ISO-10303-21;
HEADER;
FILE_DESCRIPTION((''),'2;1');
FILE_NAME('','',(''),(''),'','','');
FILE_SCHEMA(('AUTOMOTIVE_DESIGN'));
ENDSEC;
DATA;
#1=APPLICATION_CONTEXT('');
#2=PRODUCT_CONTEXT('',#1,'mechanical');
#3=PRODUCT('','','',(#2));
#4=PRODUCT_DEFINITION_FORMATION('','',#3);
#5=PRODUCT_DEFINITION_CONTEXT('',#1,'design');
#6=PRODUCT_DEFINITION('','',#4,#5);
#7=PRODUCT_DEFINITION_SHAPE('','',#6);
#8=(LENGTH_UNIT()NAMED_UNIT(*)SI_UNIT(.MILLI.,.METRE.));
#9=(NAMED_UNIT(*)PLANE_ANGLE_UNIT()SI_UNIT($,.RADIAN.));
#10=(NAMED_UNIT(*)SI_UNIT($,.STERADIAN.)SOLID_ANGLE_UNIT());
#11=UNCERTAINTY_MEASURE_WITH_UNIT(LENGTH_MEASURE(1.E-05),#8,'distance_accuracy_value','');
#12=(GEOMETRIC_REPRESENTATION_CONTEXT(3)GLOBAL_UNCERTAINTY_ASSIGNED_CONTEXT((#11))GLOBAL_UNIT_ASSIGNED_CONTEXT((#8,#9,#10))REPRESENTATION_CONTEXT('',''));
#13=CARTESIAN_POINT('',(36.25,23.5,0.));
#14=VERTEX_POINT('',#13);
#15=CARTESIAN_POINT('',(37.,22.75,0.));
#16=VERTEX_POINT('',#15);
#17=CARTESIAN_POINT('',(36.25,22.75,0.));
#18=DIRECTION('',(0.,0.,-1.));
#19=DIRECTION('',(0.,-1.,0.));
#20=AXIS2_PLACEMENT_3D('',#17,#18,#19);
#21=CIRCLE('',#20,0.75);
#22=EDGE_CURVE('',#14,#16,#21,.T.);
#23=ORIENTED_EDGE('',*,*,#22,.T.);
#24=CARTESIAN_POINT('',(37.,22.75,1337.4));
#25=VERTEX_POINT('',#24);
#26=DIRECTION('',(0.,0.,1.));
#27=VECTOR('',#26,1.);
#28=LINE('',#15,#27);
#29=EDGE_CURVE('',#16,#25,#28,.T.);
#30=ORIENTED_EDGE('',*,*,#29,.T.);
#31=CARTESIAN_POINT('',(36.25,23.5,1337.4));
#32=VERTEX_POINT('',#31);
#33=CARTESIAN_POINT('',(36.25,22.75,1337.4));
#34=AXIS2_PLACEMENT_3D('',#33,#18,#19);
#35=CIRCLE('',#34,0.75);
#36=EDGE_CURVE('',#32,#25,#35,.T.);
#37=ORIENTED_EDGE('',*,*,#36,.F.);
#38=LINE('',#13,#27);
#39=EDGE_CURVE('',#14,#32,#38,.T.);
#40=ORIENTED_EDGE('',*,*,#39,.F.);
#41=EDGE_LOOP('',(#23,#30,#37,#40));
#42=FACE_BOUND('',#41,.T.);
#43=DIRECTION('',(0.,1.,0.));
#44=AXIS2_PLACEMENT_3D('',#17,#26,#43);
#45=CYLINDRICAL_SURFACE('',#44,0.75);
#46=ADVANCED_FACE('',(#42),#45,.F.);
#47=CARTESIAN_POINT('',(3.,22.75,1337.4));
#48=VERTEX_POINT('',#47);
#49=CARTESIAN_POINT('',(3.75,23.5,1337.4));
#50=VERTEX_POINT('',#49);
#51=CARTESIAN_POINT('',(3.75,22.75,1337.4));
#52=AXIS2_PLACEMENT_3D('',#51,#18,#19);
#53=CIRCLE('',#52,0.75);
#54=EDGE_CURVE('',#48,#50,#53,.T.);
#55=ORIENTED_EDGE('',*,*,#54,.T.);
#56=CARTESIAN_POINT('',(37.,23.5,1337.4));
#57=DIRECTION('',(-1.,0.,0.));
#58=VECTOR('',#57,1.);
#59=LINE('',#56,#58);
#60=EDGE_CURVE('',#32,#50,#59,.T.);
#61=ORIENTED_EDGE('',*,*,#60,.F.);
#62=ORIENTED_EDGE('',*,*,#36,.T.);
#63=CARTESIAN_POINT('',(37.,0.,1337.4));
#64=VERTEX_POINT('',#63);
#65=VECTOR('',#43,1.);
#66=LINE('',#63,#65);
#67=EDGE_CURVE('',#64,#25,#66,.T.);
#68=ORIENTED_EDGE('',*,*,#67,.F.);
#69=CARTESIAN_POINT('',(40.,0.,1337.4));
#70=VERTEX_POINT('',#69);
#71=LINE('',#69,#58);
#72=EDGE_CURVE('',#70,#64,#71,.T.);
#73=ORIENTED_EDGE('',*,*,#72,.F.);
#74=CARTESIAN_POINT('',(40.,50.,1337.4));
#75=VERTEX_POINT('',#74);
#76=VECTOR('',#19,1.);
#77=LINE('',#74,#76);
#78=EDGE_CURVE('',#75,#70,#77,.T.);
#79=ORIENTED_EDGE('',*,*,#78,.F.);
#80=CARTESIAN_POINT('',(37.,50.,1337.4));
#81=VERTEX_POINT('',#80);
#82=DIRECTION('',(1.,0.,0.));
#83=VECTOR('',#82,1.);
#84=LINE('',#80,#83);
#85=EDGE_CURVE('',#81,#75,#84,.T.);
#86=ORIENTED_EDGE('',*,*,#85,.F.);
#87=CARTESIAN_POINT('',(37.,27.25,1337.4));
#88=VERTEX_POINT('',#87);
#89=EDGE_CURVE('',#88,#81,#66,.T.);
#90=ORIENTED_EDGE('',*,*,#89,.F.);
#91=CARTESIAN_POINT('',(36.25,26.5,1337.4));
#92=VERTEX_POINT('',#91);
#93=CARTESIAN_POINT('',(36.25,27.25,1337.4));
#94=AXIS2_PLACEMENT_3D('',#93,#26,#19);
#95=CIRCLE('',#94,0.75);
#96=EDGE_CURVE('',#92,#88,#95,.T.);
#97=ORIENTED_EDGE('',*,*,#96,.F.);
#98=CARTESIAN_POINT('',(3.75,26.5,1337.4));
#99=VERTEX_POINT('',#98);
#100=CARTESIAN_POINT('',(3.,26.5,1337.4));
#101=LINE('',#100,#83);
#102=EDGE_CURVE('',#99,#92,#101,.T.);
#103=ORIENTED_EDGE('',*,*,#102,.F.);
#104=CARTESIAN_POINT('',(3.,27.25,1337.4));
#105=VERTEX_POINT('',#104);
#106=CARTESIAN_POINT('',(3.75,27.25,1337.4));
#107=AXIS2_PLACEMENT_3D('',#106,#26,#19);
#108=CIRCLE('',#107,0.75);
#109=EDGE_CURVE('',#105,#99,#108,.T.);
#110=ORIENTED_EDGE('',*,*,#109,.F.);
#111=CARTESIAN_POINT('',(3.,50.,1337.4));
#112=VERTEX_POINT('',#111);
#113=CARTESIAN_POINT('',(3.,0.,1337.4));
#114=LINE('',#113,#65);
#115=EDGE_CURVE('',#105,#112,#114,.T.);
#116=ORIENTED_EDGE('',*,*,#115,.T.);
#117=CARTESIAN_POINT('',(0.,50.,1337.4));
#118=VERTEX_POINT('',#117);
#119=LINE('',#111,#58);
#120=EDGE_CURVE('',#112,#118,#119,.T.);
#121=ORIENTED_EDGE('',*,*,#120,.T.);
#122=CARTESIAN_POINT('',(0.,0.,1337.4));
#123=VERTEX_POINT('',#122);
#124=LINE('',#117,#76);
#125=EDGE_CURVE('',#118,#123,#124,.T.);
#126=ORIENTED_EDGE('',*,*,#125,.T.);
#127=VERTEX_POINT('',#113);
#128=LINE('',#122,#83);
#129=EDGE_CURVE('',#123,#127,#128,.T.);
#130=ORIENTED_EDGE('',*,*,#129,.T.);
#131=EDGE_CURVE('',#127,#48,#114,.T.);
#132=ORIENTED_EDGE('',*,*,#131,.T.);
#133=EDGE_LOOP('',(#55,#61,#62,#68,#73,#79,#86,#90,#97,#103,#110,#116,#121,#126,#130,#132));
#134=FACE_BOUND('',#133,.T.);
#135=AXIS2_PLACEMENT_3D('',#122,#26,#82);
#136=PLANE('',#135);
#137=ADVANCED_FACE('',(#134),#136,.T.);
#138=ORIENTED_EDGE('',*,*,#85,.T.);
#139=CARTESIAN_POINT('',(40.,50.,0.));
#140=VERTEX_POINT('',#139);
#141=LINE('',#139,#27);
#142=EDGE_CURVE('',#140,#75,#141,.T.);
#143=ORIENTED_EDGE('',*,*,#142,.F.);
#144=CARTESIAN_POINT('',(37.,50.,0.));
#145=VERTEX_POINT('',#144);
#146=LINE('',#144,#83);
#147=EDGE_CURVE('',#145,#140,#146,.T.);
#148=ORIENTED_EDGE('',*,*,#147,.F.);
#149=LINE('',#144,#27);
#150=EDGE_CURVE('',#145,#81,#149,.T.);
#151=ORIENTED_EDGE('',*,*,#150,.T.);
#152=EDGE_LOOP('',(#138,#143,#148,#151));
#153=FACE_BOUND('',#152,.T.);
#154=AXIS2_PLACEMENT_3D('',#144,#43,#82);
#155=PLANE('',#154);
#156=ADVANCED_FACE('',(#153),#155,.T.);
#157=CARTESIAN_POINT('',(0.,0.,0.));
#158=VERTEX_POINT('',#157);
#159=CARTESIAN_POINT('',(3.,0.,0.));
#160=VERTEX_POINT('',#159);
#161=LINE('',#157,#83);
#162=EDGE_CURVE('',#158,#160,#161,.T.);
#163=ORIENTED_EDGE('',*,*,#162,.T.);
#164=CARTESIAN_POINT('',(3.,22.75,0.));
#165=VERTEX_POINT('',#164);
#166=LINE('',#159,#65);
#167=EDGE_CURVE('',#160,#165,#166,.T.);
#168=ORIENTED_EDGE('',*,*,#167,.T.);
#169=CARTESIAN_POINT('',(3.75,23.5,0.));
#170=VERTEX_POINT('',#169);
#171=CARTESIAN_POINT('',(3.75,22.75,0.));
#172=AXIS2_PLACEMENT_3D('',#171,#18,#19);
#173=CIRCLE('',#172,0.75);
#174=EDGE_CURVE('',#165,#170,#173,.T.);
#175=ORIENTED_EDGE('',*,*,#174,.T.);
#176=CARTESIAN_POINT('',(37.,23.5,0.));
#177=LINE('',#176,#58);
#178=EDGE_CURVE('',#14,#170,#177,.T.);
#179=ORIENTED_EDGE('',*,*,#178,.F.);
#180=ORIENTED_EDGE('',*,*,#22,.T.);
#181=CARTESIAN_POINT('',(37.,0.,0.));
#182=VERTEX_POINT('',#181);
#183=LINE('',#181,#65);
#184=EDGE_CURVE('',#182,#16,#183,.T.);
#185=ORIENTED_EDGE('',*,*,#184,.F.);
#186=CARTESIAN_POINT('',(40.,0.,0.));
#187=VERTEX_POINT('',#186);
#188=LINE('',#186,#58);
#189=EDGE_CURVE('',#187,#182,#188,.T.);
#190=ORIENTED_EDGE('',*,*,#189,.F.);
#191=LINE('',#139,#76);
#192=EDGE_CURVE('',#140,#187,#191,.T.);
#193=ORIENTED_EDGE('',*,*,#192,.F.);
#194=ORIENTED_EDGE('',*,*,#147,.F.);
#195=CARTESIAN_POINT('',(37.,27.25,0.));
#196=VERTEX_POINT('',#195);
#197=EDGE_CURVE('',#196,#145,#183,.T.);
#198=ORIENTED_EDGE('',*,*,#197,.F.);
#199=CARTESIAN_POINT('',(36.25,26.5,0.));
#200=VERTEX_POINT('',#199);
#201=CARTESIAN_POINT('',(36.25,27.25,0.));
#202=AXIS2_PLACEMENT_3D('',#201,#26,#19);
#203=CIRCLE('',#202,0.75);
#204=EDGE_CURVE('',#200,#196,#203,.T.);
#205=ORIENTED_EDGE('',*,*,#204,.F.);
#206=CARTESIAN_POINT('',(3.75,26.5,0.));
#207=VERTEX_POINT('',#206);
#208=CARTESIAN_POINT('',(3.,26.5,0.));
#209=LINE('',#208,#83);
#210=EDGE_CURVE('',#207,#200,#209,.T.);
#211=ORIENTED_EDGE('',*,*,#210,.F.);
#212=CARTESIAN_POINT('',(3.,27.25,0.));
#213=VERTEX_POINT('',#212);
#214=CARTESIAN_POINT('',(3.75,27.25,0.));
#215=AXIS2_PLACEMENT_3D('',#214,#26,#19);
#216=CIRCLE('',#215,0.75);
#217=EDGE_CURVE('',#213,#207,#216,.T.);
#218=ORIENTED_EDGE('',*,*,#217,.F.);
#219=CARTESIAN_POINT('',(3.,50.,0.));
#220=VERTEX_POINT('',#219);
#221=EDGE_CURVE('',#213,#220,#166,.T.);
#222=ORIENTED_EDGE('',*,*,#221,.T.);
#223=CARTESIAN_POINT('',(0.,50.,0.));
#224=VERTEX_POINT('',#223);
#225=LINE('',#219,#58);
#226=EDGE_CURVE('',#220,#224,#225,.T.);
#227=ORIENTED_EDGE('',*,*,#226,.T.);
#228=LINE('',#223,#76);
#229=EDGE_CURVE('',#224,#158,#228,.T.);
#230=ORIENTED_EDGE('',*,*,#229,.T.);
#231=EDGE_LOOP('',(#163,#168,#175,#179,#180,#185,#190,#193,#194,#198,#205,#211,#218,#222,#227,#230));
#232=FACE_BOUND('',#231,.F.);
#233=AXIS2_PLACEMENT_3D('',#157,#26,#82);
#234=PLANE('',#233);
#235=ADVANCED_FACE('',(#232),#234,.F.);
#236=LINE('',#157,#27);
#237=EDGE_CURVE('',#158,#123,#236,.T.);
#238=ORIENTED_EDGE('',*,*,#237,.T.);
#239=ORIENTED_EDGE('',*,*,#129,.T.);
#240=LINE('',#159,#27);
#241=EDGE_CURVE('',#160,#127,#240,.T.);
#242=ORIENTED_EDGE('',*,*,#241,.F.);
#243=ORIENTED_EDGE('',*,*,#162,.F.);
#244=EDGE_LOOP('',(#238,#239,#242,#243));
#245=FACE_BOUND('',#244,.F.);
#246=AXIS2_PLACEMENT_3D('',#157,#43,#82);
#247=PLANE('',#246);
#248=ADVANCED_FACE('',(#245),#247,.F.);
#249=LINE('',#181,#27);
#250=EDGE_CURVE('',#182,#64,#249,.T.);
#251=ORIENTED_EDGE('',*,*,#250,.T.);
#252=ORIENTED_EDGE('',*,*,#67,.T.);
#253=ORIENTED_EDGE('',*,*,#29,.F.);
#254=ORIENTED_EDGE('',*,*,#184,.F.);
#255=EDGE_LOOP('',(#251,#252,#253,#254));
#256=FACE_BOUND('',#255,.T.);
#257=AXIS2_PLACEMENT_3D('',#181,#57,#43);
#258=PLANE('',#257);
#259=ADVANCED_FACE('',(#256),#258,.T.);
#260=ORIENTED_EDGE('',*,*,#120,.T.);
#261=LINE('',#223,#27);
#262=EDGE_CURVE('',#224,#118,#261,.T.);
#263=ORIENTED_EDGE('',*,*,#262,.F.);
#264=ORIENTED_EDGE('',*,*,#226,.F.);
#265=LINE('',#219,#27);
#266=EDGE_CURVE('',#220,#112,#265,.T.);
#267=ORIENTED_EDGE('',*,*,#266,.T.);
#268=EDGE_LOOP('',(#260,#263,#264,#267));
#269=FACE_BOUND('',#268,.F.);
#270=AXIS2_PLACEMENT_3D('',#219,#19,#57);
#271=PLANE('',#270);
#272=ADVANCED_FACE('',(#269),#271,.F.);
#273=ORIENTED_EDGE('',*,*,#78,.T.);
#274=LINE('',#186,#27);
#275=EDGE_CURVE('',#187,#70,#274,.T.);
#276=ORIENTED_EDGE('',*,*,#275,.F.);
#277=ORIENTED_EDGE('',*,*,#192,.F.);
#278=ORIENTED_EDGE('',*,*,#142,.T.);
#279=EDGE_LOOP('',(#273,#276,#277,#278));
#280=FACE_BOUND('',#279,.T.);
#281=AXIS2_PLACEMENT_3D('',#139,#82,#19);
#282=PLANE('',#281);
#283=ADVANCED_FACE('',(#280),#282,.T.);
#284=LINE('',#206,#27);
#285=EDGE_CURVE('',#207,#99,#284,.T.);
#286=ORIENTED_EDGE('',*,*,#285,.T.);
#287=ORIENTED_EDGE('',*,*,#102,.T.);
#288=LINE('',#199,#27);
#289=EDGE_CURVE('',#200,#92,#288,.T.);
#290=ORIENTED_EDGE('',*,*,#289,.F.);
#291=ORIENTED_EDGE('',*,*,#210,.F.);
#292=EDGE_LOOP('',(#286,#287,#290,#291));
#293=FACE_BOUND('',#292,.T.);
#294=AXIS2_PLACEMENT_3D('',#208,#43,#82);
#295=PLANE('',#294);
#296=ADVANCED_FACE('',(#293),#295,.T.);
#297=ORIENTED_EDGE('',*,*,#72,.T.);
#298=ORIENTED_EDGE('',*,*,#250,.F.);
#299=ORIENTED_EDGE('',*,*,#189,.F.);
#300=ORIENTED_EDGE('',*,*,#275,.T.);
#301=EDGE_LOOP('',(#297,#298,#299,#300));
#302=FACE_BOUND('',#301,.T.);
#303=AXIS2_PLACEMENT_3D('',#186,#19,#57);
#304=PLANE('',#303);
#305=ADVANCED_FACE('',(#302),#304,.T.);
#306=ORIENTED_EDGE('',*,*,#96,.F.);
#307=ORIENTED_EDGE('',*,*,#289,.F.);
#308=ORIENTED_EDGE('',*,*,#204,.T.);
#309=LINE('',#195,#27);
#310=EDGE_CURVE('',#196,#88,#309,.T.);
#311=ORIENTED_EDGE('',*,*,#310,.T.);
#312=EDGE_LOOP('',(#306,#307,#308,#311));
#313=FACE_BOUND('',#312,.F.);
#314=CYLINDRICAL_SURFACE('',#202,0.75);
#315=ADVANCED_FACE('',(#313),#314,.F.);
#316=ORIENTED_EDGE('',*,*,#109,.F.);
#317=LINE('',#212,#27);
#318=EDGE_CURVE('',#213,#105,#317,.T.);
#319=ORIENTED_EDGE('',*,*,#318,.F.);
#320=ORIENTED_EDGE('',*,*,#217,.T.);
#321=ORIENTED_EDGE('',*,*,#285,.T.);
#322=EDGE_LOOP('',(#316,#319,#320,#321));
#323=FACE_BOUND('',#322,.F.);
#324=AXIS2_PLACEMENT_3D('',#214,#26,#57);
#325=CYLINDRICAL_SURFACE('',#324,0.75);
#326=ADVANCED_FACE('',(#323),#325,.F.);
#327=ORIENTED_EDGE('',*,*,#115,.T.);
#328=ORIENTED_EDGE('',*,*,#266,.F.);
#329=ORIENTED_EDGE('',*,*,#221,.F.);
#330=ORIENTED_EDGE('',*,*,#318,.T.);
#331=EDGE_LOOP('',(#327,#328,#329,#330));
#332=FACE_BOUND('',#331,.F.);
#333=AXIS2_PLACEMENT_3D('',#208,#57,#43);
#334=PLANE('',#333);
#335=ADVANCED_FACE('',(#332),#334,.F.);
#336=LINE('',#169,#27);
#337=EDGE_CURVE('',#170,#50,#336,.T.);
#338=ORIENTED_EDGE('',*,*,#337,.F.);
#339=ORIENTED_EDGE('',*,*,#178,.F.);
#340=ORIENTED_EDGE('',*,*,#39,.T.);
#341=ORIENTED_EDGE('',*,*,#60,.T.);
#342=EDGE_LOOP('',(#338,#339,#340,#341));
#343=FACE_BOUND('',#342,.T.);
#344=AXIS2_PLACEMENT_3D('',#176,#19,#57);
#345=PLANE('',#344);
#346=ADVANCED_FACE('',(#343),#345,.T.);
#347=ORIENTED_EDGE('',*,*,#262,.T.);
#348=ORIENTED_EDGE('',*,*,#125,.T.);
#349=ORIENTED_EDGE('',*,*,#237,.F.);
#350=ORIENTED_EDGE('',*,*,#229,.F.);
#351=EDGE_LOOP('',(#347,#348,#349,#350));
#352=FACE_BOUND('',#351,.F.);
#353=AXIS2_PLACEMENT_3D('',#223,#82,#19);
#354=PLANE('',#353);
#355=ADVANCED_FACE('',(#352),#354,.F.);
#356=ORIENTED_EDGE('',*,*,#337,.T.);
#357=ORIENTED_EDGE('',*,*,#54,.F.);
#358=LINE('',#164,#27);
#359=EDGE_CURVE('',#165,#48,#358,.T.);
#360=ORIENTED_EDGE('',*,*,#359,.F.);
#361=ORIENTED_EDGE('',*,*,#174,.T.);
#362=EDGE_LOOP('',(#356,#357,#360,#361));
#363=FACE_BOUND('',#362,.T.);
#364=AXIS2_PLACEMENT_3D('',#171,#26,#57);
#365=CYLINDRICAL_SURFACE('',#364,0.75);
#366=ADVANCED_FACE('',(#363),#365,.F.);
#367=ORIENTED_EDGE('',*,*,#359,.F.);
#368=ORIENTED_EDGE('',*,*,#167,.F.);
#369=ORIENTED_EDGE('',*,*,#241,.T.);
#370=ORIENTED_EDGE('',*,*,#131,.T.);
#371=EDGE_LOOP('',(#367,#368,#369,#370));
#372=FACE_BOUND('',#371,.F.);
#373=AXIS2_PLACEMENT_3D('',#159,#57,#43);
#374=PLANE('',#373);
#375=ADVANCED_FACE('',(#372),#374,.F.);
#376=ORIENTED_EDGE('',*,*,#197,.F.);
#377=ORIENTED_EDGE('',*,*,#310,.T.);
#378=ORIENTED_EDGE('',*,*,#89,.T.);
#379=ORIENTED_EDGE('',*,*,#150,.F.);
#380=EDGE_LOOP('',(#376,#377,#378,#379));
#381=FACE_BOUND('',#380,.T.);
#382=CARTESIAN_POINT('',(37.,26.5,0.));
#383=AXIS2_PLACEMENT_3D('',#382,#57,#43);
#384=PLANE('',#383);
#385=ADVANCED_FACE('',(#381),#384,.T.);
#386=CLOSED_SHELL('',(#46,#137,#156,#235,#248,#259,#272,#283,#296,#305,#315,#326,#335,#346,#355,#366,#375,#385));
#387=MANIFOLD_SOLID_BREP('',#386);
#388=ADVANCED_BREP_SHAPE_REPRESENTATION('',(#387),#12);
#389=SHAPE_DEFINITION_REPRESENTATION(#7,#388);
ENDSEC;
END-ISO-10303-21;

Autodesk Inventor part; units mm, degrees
ref_plane "YZ Plane" through (0, 0, 0) normal (1, 0, 0) x (0, 1, 0)
ref_plane "XZ Plane" through (0, 0, 0) normal (0, 1, 0) x (-1, 0, 0)
ref_plane "XY Plane" through (0, 0, 0) normal (0, 0, 1) x (1, 0, 0)
sketch "Sketch1" plane through (0, 0, 0) normal (0, 0, 1) x (1, 0, 0)
  line L0 (0, 0) -> (3, 0)
  line L1 (3, 0) -> (3, 50)
  line L2 (3, 50) -> (0, 50)
  line L3 (0, 50) -> (0, 0)
  line L4 (3, 26.5) -> (37, 26.5)
  line L5 (37, 26.5) -> (37, 23.5)
  line L6 (37, 23.5) -> (3, 23.5)
  line L7 (3, 23.5) -> (3, 26.5)
  line L8 (37, 50) -> (40, 50)
  line L9 (40, 50) -> (40, 0)
  line L10 (40, 0) -> (37, 0)
  line L11 (37, 0) -> (37, 50)
  line L12 (0, 25) -> (40, 25) construction
  dimension "d3" = 3
  dimension "d4" = 40
  dimension "d9" = 1.5
  dimension "d10" = 50
  dimension "d11" = 25
extrude "Extrusion1" add sketch "Sketch1" along normal blind 1337.4
fillet "Fillet1" radius 0.75 4 edges at (3, 23.5, 668.7) (37, 23.5, 668.7) (37, 26.5, 668.7) (3, 26.5, 668.7)
properties part number "Bridge"
